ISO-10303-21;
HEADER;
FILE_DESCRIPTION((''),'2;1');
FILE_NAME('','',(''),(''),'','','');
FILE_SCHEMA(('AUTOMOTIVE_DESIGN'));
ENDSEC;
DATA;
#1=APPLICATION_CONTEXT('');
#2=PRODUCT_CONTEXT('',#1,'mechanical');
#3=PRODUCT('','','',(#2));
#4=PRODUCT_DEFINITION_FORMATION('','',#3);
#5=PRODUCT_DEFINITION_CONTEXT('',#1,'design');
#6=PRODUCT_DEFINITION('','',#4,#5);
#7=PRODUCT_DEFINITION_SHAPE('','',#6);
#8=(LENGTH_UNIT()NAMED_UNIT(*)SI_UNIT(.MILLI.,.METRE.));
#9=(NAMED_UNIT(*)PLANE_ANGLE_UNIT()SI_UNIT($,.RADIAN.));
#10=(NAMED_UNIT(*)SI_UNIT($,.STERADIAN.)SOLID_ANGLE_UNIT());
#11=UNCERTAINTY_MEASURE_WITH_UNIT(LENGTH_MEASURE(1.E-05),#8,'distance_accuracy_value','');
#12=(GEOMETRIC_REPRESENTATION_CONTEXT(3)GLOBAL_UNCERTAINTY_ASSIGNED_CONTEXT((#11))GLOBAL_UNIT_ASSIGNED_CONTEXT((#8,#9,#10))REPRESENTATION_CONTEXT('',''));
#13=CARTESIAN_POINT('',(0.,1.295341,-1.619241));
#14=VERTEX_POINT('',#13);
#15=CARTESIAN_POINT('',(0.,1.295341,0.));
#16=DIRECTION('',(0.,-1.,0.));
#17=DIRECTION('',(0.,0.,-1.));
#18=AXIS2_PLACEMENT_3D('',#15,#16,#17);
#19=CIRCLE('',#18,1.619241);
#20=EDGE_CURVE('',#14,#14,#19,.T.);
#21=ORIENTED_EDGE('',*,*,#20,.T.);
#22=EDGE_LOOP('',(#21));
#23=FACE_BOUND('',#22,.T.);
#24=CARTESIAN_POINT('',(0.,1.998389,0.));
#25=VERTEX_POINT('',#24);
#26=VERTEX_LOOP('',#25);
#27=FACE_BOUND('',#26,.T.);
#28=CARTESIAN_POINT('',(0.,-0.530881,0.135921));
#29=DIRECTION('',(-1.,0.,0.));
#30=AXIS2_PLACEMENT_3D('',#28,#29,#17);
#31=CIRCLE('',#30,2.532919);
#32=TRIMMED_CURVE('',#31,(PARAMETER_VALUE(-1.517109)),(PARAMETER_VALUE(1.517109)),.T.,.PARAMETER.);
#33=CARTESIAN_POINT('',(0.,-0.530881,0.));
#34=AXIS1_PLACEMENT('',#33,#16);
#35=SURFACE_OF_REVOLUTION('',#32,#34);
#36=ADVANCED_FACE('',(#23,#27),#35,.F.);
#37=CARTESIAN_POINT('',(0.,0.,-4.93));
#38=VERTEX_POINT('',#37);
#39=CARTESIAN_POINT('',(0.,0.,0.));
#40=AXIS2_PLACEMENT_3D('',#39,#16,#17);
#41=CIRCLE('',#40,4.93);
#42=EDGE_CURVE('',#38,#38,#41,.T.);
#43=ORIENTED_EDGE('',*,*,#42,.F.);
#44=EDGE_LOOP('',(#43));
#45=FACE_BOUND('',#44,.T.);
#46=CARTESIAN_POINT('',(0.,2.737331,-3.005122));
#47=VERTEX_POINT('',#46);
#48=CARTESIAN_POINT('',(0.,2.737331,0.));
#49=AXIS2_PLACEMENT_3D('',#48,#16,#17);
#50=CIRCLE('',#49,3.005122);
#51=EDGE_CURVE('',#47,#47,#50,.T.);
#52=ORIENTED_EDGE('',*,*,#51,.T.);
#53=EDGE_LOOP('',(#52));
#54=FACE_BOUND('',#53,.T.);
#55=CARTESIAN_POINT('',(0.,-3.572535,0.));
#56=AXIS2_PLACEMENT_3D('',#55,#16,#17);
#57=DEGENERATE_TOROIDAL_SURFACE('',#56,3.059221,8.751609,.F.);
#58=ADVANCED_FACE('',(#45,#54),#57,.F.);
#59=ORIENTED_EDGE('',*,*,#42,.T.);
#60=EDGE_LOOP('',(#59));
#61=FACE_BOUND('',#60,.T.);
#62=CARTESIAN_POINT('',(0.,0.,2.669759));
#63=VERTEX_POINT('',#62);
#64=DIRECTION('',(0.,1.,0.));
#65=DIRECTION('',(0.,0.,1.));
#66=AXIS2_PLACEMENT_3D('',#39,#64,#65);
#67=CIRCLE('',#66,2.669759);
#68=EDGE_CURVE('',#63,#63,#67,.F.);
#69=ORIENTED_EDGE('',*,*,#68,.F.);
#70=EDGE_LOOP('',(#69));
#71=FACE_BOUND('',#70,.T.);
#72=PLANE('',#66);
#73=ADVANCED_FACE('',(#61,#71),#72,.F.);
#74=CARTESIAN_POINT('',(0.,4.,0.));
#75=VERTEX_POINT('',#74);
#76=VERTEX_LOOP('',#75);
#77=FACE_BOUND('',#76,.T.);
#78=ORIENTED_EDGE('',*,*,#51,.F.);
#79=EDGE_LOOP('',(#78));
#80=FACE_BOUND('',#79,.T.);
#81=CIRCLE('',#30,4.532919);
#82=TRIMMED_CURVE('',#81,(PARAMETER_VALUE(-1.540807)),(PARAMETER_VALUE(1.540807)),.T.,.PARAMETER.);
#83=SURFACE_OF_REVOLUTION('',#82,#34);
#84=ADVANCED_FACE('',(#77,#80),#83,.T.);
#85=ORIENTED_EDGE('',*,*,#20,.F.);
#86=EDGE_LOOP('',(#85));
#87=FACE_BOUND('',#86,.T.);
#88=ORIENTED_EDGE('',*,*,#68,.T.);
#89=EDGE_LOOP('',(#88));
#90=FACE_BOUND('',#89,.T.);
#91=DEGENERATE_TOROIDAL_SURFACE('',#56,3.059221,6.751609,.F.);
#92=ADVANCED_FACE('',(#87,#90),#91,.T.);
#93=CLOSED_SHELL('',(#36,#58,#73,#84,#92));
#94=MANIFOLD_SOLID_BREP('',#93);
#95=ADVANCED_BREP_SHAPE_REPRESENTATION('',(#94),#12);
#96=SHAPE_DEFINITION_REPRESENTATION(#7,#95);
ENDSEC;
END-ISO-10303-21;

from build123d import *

# Parameters (mm, degrees)
SHELL1_T = -2


with BuildPart() as part:
    # Sketch4 → Revolve1 (revolve)
    with BuildSketch(Plane(origin=(0, 0, 0), x_dir=(0, 0, -1), z_dir=(1, 0, 0)), mode=Mode.PRIVATE) as revolve1_sk:
        with BuildLine():
            Line((0, 0), (-4.93, 0))
            ThreePointArc((-4.93, 0), (-4.099613253, 1.461524128), (-3.005121647, 2.737330951))
            ThreePointArc((-3.005121647, 2.737330951), (-1.61998505, 3.648132281), (0, 4))
            Line((0, 4), (0, 0))
        make_face()
    revolve(revolve1_sk.sketch.rotate(Axis((0, 0, 0), (0, 1, 0)), 180), axis=Axis((0, 0, 0), (0, 1, 0)))

    # Shell1
    shell1_openings = [part.faces().sort_by_distance(p)[0] for p in [
        (0, 0, 0),
    ]]
    offset(amount=SHELL1_T, openings=shell1_openings, kind=Kind.INTERSECTION)


solid = part.part
